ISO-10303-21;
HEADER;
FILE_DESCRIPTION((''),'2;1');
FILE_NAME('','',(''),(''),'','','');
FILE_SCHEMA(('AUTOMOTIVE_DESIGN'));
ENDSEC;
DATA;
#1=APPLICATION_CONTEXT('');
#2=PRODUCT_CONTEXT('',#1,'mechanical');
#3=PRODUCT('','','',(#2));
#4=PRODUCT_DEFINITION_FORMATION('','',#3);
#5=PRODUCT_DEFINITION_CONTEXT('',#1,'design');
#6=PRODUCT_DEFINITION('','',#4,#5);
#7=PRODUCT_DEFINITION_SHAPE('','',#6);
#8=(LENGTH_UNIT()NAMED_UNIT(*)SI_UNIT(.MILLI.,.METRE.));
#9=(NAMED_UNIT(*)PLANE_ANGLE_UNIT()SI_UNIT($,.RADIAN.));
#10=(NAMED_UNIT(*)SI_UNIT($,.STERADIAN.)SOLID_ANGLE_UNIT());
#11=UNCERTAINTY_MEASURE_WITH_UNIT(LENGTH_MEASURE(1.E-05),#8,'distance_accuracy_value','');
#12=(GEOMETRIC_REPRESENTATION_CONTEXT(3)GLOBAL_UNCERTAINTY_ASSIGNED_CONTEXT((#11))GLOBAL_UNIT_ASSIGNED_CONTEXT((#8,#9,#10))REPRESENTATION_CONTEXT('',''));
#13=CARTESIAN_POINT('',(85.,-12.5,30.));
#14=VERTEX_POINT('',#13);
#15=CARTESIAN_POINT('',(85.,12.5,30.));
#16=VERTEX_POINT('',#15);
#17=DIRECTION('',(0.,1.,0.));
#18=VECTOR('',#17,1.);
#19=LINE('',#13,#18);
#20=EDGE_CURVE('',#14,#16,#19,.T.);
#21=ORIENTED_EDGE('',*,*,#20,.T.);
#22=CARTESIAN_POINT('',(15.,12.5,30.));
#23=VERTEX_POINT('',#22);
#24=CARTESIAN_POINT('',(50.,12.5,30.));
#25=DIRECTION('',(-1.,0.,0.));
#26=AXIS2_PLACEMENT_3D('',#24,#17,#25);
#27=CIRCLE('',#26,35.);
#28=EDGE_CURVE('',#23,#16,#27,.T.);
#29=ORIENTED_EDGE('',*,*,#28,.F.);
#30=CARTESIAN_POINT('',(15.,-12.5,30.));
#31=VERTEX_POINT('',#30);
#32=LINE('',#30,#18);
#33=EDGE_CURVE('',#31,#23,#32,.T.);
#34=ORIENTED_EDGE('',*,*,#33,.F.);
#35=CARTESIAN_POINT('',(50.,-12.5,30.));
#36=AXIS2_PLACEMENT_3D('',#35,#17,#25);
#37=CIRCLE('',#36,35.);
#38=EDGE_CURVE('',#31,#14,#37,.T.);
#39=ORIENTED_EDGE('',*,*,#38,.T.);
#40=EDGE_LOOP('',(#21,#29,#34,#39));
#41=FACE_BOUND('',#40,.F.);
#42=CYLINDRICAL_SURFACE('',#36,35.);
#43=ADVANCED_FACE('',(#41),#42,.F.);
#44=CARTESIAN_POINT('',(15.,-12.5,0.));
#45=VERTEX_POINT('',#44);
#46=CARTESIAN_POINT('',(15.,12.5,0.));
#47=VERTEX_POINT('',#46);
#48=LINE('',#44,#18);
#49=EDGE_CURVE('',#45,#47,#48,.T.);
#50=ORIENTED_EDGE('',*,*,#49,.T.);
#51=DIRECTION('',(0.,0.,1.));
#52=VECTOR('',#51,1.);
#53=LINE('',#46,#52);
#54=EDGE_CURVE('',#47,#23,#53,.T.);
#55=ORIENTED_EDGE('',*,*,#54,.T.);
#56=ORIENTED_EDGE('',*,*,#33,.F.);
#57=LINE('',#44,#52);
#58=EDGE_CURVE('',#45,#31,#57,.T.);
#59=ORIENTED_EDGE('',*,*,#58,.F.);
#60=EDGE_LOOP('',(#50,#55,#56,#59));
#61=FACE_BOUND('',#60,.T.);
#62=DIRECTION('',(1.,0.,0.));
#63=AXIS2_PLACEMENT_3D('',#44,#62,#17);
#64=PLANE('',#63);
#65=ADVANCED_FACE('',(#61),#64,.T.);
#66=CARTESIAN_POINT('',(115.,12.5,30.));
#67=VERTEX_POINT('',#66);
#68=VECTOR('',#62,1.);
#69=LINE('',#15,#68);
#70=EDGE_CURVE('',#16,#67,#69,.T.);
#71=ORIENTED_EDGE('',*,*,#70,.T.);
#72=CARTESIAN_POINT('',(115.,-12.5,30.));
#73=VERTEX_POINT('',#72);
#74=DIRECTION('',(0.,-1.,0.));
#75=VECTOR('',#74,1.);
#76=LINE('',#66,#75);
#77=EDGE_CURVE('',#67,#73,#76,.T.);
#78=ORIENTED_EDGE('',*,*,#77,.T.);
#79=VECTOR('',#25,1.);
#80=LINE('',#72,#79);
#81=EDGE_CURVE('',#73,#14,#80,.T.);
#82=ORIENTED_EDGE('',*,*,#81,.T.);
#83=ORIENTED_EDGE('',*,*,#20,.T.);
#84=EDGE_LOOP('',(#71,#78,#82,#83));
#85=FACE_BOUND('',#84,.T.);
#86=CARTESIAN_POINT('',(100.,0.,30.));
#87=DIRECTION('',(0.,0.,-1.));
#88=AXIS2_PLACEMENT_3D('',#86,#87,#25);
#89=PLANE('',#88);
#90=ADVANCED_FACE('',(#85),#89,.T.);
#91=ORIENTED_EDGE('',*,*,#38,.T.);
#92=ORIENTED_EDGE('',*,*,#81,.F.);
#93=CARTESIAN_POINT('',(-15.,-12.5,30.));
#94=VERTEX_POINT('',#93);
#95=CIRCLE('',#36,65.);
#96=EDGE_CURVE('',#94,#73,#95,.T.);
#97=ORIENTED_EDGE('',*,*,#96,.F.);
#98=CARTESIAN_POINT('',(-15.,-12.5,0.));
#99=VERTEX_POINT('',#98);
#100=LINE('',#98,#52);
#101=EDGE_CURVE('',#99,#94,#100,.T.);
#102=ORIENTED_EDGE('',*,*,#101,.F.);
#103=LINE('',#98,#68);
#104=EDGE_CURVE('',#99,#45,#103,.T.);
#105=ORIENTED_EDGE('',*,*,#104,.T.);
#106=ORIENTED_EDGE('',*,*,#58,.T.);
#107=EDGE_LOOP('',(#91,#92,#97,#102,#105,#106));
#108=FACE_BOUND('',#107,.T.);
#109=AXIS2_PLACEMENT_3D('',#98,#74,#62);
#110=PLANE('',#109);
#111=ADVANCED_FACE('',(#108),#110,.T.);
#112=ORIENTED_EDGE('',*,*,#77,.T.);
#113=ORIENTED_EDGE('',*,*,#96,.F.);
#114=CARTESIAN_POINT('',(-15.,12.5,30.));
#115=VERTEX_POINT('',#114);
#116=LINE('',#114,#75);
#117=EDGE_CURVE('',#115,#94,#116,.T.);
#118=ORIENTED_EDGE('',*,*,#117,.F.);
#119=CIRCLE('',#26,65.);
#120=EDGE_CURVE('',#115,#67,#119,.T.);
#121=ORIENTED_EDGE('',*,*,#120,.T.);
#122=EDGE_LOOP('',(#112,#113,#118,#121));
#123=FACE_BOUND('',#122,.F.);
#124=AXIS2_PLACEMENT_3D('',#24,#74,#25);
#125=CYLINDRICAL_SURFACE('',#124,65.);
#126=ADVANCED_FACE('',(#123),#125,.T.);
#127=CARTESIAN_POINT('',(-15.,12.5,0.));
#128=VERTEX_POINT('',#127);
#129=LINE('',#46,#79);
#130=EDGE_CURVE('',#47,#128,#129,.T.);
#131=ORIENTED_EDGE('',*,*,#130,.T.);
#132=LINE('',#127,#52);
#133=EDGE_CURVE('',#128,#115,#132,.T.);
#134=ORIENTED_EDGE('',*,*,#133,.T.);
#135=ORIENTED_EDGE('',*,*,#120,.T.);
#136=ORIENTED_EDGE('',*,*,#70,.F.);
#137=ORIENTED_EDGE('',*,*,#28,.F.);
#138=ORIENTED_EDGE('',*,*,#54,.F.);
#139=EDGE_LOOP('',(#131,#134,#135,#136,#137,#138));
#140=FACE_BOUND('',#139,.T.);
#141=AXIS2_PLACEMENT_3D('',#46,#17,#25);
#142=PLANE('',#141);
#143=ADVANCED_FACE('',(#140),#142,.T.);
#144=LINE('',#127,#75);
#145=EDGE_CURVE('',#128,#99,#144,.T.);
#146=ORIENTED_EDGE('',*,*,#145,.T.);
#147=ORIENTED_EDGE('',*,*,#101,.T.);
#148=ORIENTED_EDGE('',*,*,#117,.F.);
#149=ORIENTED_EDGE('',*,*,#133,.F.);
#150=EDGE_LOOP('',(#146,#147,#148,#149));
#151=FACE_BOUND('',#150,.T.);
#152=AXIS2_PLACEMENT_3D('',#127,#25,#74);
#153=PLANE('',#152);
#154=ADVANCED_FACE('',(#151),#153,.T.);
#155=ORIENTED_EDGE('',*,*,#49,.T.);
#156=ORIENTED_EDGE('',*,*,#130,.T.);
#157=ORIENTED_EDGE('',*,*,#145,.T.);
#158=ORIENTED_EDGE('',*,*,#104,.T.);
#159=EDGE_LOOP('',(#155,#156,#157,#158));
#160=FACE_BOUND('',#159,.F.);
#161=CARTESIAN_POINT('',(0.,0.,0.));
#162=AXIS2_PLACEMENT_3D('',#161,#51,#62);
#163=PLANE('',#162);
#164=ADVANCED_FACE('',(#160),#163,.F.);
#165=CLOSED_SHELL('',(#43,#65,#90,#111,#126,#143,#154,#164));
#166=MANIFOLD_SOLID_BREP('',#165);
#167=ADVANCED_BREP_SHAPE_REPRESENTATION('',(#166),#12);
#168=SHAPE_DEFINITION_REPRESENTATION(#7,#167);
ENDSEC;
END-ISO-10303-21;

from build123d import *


with BuildPart() as f2:
    # F2: sweep along a path in F1
    with BuildLine(Plane.XZ) as f2_path:
        Line((0, 0), (0, 30))
        ThreePointArc((0, 30), (50, 80), (100, 30))
    # F0 (on Top) → F2 (sweep)
    with BuildSketch(Plane.XY):
        Polygon((-15, -12.5), (15, -12.5), (15, 0), (15, 12.5), (-15, 12.5), align=None)
    sweep(path=f2_path.line)


solid = f2.part
